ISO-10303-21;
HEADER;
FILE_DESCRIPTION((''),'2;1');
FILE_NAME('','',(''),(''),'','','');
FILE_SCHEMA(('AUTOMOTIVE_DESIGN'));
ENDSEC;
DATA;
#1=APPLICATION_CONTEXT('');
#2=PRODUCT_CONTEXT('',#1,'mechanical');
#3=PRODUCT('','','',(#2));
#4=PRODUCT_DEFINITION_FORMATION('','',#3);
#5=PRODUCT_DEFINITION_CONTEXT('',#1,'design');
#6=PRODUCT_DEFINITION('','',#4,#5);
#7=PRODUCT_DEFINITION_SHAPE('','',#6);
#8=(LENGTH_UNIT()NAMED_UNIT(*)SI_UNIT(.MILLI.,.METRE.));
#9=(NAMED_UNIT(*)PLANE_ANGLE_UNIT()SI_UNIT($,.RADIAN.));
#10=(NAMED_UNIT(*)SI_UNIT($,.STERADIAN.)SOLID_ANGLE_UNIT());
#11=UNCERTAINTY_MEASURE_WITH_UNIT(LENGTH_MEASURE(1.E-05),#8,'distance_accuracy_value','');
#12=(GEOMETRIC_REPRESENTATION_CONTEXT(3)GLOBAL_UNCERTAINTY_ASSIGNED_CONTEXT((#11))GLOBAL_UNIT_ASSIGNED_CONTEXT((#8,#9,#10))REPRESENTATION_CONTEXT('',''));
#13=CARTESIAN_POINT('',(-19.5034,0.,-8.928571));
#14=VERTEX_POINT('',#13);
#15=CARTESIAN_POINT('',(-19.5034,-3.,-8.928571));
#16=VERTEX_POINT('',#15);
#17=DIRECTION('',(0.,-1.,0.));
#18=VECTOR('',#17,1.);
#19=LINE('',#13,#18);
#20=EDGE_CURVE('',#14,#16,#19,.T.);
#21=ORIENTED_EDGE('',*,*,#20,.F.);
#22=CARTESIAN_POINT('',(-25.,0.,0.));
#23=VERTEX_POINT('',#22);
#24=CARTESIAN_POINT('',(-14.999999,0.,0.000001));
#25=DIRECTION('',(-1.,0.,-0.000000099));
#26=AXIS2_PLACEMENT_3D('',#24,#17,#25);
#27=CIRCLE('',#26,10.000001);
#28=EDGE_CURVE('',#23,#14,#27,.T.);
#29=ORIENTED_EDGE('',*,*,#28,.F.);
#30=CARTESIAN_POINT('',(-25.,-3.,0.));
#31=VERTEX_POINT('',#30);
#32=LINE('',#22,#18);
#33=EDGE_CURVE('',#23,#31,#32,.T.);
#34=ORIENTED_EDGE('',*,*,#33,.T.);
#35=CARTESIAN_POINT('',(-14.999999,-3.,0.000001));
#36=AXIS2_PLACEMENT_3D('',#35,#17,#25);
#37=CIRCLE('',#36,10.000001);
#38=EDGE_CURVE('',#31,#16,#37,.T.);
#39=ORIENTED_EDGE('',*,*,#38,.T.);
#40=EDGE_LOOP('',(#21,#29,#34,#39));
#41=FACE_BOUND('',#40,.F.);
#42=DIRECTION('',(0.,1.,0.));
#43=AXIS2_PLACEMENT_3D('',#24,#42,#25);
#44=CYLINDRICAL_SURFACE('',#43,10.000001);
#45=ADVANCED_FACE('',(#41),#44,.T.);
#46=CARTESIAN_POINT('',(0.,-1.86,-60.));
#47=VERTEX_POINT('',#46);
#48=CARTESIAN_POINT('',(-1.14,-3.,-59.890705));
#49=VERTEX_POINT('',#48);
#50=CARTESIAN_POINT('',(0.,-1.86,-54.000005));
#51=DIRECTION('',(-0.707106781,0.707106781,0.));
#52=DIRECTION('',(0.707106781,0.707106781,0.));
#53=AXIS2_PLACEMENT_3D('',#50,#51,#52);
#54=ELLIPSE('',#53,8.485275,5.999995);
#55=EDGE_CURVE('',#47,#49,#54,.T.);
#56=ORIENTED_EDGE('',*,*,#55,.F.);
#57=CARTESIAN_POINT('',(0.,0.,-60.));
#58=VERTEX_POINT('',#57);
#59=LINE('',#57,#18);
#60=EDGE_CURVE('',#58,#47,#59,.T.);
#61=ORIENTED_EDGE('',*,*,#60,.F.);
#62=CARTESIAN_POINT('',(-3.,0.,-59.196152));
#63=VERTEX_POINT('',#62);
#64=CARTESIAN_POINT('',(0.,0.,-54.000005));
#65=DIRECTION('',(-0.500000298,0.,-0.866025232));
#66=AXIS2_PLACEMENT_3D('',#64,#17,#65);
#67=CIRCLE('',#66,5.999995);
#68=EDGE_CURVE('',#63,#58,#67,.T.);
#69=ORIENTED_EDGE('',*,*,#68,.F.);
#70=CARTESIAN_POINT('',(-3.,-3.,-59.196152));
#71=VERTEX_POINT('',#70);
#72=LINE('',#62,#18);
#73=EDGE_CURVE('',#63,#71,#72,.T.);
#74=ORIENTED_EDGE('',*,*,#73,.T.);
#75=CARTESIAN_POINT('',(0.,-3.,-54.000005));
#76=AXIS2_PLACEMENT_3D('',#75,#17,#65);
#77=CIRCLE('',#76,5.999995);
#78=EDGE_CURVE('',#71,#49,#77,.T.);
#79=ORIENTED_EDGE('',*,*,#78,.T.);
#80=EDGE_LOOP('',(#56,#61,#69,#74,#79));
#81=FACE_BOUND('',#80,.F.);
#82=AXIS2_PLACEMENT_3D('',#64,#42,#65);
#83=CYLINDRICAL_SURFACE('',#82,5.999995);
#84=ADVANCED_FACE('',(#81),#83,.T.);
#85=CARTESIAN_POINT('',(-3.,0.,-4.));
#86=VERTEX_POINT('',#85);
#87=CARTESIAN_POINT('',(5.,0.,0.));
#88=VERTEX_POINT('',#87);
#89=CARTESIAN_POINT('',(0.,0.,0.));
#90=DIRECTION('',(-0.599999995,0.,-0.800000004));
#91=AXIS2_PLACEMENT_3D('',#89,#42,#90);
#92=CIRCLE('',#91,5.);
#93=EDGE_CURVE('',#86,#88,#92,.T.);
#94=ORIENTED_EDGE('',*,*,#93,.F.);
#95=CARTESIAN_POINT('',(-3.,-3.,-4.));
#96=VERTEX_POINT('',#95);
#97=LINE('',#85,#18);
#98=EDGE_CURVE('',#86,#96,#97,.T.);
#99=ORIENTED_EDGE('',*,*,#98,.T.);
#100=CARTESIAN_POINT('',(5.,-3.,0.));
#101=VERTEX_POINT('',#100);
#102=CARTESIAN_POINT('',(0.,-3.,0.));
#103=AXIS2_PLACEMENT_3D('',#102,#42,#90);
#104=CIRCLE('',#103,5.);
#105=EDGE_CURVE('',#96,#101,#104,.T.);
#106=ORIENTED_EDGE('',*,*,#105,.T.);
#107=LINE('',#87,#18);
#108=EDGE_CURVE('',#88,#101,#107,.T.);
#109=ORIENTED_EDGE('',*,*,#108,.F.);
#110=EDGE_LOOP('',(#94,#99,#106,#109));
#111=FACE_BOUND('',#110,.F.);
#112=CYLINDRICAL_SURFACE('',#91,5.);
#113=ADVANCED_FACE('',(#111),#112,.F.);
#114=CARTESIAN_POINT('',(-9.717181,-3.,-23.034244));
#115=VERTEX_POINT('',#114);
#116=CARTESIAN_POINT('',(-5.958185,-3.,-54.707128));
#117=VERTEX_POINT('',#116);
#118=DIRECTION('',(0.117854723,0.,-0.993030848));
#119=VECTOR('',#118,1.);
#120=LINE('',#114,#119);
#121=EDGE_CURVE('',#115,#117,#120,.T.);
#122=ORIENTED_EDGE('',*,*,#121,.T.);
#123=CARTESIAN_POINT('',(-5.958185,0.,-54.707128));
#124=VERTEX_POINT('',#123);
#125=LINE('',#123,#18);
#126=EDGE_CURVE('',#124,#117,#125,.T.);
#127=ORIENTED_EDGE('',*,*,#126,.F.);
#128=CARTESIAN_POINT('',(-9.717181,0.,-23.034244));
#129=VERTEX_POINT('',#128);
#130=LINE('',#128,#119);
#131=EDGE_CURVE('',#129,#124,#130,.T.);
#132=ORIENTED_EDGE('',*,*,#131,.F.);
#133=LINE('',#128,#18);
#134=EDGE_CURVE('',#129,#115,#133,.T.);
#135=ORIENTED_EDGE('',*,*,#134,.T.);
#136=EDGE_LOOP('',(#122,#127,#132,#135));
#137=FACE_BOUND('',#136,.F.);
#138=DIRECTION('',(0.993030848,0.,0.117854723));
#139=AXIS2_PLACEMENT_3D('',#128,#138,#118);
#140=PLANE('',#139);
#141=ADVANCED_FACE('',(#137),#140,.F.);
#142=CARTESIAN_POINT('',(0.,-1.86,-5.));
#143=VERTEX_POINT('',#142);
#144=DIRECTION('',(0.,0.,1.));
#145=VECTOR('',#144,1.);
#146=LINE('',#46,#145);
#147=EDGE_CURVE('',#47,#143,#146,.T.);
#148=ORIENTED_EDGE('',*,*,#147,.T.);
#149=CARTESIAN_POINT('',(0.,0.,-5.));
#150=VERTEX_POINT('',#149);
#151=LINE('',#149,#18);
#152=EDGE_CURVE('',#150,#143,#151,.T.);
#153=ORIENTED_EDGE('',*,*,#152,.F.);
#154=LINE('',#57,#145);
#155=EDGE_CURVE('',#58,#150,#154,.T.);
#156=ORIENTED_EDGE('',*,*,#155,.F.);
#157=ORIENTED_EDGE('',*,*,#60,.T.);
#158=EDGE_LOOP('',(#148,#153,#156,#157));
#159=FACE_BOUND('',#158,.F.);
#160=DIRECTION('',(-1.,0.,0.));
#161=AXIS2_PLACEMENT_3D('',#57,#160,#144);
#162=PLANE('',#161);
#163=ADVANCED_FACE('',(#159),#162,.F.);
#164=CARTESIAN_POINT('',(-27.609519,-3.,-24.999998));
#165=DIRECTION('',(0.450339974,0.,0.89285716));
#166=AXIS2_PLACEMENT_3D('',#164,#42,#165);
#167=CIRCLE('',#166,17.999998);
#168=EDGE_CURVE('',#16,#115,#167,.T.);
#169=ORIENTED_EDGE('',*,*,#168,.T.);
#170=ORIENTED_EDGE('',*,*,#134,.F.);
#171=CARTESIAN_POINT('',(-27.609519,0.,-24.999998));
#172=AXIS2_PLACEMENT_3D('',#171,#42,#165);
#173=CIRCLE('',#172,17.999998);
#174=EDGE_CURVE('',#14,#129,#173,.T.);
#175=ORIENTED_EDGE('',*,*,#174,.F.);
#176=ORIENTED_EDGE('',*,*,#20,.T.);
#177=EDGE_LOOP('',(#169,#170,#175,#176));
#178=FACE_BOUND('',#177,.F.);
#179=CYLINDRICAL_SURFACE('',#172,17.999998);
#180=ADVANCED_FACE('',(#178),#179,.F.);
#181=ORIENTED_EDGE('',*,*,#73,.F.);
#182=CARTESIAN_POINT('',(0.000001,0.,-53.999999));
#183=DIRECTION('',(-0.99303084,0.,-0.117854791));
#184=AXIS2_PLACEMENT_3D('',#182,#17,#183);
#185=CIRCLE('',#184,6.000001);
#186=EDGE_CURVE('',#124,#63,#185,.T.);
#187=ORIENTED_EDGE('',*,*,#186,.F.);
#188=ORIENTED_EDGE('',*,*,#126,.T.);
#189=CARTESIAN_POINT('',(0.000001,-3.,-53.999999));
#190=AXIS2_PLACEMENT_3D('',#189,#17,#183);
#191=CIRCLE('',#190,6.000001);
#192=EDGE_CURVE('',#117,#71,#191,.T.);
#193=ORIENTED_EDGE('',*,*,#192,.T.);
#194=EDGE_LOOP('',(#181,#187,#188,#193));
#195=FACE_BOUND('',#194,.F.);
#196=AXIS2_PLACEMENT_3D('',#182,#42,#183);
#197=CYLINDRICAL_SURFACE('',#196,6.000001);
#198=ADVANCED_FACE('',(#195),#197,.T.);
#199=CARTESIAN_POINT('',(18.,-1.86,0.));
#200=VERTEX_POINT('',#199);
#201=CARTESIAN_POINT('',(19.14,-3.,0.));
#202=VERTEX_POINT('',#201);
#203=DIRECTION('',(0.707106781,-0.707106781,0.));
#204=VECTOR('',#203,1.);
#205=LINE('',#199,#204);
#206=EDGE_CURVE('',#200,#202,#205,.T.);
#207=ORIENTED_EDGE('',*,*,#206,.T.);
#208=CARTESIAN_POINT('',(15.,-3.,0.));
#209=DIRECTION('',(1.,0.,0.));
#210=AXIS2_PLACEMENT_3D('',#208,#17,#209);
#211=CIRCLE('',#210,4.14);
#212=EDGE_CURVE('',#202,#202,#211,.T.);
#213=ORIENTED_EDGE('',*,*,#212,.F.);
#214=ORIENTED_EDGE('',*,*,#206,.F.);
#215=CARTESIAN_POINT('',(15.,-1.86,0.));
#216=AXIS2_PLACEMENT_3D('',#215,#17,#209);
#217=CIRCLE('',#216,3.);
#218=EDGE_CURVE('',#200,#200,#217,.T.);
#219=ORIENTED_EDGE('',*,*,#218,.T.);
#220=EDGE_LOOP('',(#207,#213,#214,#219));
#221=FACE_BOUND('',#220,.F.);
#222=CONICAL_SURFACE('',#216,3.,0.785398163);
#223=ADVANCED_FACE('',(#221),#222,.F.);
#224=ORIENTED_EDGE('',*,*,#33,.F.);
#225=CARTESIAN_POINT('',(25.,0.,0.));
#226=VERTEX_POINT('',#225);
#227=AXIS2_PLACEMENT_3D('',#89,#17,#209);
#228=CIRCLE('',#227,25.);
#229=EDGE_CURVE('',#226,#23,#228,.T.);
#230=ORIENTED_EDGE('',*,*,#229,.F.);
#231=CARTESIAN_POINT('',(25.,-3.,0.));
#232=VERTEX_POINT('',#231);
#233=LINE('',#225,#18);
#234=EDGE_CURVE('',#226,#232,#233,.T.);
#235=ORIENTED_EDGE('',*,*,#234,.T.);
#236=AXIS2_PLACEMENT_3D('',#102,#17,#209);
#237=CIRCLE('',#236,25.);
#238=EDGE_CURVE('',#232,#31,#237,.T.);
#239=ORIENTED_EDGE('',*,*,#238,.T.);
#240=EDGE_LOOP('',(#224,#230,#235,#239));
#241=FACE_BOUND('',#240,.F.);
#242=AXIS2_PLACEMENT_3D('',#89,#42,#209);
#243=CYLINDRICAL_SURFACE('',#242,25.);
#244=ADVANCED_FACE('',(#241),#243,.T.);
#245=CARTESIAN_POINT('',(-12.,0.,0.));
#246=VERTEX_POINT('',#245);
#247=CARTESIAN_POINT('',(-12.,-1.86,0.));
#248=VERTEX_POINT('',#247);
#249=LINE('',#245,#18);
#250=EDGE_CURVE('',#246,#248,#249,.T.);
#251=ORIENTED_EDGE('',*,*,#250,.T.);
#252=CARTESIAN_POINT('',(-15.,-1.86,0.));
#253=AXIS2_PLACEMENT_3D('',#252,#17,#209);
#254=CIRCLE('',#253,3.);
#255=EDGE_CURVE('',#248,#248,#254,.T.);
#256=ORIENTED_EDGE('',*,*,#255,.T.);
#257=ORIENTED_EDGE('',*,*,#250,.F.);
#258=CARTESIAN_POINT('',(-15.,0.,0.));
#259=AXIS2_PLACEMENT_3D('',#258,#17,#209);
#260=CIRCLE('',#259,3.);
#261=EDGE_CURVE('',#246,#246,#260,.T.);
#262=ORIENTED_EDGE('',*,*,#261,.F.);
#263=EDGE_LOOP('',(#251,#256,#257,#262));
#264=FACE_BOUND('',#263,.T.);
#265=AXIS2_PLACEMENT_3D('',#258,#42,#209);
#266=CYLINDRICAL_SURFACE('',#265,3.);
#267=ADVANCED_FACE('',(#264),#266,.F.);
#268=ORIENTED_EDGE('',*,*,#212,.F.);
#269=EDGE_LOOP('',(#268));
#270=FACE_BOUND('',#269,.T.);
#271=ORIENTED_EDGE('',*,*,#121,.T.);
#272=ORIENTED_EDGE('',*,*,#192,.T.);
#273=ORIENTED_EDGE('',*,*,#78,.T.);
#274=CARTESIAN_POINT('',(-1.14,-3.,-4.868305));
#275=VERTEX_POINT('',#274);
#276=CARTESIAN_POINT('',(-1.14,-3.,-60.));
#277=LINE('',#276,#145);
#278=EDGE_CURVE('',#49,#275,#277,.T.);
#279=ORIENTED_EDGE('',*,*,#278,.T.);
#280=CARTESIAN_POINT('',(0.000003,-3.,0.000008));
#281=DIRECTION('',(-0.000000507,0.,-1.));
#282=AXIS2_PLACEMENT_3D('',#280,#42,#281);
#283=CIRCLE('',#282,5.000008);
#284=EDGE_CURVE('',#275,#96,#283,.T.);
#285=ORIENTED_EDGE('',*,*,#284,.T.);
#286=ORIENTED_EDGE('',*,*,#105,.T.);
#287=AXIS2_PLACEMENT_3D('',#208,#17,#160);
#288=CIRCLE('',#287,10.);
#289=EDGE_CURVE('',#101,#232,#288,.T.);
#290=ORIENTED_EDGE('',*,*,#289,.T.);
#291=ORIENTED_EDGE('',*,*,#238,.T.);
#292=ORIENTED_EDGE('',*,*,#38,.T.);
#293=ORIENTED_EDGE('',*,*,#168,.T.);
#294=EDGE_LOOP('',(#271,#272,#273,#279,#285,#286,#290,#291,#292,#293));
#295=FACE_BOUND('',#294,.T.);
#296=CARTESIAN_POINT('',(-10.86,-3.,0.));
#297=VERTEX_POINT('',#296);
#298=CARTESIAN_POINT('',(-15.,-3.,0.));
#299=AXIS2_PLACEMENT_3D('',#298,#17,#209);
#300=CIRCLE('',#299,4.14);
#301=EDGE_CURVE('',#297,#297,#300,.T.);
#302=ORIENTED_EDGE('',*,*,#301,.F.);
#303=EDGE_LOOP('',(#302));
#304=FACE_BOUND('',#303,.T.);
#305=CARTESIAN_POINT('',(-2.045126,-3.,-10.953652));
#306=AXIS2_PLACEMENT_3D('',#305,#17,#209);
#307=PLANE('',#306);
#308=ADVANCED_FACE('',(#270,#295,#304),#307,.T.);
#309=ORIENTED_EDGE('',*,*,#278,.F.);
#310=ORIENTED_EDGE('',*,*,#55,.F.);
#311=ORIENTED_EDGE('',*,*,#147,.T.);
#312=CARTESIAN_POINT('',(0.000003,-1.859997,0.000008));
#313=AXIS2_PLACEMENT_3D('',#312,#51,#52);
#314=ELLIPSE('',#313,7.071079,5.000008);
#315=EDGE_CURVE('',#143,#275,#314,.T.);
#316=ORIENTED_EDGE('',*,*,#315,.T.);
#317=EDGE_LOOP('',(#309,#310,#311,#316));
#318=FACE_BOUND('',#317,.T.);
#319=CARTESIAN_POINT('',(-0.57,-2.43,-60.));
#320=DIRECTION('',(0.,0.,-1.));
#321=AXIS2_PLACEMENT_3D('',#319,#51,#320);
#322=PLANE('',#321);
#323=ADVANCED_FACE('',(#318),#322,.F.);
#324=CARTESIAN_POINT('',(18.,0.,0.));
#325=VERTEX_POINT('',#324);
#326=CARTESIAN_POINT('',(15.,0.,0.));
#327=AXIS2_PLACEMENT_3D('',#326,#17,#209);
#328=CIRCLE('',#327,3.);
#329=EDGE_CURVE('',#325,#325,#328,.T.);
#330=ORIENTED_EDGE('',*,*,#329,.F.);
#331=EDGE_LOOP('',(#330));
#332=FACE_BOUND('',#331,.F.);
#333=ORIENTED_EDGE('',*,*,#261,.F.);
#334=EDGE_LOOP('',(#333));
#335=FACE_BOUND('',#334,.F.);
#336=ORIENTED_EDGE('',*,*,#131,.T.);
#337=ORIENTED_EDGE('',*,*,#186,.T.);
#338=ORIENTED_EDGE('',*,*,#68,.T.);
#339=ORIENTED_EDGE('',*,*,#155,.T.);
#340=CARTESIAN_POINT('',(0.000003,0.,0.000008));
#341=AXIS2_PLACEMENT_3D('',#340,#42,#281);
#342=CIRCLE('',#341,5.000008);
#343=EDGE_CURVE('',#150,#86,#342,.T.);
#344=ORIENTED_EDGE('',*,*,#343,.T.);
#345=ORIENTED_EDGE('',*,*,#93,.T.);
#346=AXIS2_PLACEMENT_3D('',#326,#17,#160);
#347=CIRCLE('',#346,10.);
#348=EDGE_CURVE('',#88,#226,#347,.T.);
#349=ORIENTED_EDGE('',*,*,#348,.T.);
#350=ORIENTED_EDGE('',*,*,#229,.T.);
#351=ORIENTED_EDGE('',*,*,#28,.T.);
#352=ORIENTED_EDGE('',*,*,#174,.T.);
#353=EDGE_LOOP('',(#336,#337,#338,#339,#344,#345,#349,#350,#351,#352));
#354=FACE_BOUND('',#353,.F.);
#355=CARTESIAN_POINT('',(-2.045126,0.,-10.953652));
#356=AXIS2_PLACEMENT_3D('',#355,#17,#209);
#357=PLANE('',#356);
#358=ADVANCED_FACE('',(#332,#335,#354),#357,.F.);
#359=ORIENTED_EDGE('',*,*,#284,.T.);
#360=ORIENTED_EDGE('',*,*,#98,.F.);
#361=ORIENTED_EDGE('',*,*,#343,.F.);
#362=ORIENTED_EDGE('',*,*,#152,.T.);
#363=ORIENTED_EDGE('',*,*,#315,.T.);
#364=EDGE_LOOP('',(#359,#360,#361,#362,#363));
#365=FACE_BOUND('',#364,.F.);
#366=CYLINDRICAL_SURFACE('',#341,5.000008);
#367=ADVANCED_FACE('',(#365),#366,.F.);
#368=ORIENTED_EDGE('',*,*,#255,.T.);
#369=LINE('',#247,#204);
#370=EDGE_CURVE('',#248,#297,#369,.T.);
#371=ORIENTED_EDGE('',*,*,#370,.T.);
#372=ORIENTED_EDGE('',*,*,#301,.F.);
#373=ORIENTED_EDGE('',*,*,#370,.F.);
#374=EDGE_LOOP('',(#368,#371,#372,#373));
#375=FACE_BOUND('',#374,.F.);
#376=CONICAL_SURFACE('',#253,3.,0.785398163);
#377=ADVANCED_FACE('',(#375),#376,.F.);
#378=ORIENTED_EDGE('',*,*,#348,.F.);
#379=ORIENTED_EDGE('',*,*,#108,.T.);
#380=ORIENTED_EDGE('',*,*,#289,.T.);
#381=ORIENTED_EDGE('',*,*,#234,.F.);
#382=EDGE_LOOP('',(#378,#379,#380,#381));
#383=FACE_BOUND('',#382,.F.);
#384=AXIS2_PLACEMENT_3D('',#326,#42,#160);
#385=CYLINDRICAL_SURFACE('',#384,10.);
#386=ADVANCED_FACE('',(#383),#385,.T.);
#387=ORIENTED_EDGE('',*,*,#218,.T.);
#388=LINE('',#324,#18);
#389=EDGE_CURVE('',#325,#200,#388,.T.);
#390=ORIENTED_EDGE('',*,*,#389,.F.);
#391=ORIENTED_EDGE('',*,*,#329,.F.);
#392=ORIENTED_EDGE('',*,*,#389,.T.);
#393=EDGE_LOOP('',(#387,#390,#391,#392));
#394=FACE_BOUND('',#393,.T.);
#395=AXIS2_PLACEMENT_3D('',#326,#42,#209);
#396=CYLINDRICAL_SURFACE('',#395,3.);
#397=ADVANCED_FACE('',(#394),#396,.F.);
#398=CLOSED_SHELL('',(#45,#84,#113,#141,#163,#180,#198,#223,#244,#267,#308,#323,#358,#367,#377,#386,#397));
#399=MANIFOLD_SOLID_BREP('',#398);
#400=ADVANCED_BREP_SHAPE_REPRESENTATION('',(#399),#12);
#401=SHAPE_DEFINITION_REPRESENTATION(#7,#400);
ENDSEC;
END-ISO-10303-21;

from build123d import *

# Parameters (mm, degrees)
F0_R     = 3.5
F0_R_2   = 3
F1_DEPTH = 3
F2_SIZE  = 1.14


with BuildPart() as f1:
    # F0 (on Front) → F1 (new body)
    with BuildSketch(Plane.XZ):
        with BuildLine():
            ThreePointArc((25, 0), (0, 25), (-25, 0))
            ThreePointArc((-25, 0), (-23.515691, -5.242423), (-19.5034, -8.928571))
            ThreePointArc((-19.5034, -8.928571), (-12.820251, -14.739516), (-9.717181, -23.034244))
            Line((-9.717181, -23.034244), (-5.958185, -54.707128))
            ThreePointArc((-5.958185, -54.707128), (-5.01, -57.301499), (-3, -59.196152))
            Line((-3, -59.196152), (-3, -5))
            Line((-3, -5), (-3, -4))
            ThreePointArc((-3, -4), (-2.236068, 4.472136), (5, 0))
            ThreePointArc((5, 0), (15, -10), (25, 0))
        make_face()
        with Locations((-15, 0)):
            Circle(F0_R, mode=Mode.SUBTRACT)
        with Locations((15, 0)):
            Circle(F0_R, mode=Mode.SUBTRACT)
        with BuildLine():
            ThreePointArc((0, -5), (-1.581139, -4.743416), (-3, -4))
            Line((-3, -4), (-3, -5))
            Line((-3, -5), (-3, -59.196152))
            ThreePointArc((-3, -59.196152), (-1.552914, -59.795555), (0, -60))
            Line((0, -60), (0, -5))
        make_face()
        with Locations((15, 0)):
            Circle(F0_R)
        with Locations((15, 0)):
            Circle(F0_R_2, mode=Mode.SUBTRACT)
        with Locations((-15, 0)):
            Circle(F0_R)
        with Locations((-15, 0)):
            Circle(F0_R_2, mode=Mode.SUBTRACT)
    extrude(amount=F1_DEPTH)

    # F2
    f2_edges = [f1.edges().sort_by_distance(p)[0] for p in [
        (0, -3, -32.5),
        (12, -3, 0),
        (-18, -3, 0),
    ]]
    chamfer(f2_edges, length=F2_SIZE)


solid = f1.part
